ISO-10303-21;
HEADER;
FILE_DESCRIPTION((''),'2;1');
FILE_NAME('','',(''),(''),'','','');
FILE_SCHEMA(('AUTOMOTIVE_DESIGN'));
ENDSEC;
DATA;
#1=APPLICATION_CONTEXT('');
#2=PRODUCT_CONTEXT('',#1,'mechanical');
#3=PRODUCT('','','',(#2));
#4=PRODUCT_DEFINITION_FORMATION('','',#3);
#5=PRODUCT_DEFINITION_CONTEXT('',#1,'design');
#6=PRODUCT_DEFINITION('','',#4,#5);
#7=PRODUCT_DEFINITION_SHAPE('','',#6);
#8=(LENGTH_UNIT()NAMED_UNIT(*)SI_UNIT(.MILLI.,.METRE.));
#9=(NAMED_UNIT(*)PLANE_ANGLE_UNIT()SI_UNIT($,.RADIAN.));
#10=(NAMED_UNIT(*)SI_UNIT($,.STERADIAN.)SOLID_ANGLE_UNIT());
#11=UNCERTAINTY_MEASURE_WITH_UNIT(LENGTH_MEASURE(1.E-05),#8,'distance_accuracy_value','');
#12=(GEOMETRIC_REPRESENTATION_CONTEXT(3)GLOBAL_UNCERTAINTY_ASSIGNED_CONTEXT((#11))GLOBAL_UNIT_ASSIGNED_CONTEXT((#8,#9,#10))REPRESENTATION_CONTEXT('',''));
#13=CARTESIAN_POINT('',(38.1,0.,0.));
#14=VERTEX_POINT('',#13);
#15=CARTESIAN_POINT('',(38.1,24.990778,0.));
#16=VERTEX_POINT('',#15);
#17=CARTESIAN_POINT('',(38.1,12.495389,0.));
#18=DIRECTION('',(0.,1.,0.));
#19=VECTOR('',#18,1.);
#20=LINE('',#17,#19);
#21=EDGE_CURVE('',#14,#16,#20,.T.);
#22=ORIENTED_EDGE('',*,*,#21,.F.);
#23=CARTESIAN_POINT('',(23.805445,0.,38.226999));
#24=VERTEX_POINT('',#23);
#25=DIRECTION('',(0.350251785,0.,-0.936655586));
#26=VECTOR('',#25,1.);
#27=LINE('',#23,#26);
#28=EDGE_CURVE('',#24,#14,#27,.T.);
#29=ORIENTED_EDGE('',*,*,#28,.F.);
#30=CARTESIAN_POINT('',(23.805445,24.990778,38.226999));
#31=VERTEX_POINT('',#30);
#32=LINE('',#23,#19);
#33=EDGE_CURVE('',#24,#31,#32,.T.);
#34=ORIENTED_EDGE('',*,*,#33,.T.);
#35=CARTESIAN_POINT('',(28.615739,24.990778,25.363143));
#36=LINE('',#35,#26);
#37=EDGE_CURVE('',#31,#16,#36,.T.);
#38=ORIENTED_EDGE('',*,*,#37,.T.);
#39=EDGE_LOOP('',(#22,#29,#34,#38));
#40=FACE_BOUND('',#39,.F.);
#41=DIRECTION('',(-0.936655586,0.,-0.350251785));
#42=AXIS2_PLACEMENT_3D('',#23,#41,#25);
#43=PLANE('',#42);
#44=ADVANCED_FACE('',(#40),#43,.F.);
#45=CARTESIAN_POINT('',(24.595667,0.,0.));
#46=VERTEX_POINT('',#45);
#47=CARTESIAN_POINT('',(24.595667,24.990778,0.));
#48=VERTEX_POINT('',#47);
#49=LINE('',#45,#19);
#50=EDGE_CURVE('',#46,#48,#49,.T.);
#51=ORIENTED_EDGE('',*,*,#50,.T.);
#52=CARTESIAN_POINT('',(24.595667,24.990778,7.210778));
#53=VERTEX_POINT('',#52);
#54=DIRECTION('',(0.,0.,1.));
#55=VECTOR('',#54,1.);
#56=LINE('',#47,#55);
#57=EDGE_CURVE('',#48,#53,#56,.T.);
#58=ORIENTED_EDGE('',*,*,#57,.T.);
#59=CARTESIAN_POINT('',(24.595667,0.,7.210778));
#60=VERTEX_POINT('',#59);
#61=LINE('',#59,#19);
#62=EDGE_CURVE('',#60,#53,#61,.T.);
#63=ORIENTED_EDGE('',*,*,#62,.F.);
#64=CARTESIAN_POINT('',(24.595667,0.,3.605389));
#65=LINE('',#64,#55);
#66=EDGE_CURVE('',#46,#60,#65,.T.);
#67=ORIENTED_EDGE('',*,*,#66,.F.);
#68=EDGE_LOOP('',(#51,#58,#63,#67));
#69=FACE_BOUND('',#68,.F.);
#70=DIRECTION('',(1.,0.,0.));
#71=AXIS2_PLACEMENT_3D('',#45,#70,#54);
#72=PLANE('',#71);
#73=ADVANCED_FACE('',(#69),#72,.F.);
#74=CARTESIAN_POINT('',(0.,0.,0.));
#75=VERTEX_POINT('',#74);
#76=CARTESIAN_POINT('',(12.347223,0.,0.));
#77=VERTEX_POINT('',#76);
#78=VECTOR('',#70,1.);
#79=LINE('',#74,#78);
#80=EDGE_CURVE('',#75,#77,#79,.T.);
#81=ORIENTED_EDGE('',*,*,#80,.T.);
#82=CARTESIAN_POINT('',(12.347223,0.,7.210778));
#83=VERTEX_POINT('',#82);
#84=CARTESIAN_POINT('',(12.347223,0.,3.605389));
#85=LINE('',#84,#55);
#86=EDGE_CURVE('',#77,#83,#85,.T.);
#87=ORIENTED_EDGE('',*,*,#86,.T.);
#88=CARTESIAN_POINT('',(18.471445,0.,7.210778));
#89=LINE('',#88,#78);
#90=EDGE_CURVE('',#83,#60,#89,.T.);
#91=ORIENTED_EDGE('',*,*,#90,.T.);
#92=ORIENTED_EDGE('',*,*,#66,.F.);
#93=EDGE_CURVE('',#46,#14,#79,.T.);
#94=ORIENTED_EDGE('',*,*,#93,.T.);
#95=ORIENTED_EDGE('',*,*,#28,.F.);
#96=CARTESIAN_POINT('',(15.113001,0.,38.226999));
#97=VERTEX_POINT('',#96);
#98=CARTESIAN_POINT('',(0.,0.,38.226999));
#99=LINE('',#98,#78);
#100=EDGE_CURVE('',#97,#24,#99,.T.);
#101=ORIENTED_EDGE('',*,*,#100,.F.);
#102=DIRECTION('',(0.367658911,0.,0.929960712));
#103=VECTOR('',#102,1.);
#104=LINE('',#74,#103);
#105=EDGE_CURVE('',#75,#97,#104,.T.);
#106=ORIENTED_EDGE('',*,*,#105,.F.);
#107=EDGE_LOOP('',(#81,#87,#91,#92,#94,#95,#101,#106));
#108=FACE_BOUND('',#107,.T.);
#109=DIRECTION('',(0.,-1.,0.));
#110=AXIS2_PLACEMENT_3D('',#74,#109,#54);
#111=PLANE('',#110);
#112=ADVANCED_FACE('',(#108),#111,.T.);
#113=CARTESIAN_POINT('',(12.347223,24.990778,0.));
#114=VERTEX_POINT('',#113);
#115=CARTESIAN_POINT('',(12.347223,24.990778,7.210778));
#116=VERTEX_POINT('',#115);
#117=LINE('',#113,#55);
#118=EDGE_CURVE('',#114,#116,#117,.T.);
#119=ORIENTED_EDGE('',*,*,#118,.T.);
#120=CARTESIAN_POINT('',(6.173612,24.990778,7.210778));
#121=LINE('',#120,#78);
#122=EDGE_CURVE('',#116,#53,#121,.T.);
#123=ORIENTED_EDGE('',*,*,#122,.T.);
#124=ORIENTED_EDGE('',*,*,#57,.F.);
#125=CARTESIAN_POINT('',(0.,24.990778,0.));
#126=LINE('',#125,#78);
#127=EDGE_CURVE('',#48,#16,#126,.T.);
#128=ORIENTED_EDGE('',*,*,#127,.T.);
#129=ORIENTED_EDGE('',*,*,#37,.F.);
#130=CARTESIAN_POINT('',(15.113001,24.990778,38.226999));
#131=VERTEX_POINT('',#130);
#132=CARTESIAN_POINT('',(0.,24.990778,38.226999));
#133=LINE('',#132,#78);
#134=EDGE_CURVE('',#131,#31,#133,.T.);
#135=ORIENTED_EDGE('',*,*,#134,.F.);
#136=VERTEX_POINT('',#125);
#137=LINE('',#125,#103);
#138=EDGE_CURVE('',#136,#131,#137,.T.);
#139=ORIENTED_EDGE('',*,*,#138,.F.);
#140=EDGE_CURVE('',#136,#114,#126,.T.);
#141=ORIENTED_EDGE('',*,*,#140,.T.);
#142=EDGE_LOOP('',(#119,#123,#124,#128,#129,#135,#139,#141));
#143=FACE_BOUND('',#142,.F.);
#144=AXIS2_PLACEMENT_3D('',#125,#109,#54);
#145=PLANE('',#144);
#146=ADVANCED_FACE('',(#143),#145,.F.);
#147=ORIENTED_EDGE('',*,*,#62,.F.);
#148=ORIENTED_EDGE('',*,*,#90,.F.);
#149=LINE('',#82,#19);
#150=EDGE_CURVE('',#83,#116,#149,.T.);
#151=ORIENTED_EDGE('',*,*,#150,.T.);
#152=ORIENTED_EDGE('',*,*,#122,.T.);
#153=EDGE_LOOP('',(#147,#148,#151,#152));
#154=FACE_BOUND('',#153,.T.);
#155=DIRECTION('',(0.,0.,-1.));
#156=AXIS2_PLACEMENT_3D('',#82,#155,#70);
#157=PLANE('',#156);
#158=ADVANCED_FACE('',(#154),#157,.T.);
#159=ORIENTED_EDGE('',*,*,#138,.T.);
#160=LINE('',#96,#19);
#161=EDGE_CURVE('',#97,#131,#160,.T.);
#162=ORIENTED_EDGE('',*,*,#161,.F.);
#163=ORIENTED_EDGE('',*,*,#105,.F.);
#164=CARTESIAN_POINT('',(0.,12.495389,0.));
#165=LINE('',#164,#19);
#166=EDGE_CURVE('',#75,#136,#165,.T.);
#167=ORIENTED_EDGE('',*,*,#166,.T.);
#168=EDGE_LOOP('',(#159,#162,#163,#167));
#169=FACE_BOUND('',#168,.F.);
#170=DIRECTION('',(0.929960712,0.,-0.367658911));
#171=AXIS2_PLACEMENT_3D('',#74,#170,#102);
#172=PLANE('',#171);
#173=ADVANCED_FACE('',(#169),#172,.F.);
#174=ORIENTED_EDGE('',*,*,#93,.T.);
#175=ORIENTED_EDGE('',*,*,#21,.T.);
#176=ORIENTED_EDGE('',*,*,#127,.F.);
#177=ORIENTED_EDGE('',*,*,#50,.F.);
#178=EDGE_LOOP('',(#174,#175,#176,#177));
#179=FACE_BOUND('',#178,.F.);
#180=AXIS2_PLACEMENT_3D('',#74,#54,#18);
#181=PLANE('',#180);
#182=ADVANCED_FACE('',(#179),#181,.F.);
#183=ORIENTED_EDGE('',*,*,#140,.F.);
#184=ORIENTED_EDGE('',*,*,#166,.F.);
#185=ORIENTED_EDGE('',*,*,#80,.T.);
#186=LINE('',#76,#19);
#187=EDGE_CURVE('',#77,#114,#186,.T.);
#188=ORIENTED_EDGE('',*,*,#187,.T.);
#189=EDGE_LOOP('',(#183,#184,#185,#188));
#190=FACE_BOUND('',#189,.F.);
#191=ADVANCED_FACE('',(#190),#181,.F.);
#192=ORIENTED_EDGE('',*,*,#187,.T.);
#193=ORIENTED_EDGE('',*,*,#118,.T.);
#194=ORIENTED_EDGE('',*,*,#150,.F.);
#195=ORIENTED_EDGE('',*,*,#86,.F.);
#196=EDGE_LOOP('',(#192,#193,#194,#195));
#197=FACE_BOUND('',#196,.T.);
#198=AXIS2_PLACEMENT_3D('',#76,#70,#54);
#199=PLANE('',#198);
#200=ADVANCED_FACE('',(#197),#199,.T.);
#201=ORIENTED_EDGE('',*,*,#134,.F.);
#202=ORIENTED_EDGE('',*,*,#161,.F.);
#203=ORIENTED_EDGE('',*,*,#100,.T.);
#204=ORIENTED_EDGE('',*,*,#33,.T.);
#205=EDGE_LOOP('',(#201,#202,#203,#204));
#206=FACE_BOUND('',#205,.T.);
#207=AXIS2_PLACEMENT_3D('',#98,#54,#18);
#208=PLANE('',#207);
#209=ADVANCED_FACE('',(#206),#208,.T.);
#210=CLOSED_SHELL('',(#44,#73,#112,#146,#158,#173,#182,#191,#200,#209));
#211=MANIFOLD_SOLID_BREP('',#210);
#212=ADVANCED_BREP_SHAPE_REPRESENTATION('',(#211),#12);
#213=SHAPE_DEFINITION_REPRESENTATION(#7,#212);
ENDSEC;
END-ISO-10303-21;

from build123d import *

# Parameters (mm, degrees)
F0_W     = 24.9907784164
F0_H     = 38.2269993424
F1_DEPTH = 38.1
F2_W     = 12.2484434396
F2_H     = 7.2107780725
F3_DEPTH = 24.9917784164
F5_DEPTH = 24.9917784164


with BuildPart() as f1:
    # F0 (on Right) → F1 (new body)
    with BuildSketch(Plane.YZ):
        with Locations((12.4953892082, 19.1134996712)):
            Rectangle(F0_W, F0_H)
    extrude(amount=F1_DEPTH)

    # F2 (on face) → F3 (cut, through all)
    with BuildSketch(Plane.XZ):
        with Locations((18.471444957, 3.6053890362)):
            Rectangle(F2_W, F2_H)
    extrude(amount=-F3_DEPTH, mode=Mode.SUBTRACT)

    # F4 (on face) → F5 (cut, through all)
    with BuildSketch(Plane.XZ):
        Polygon((0, 0), (15.113000758, 38.2269993424), (0, 38.2269993424), align=None)
        Polygon((38.1, 38.2269993424), (23.8054450601, 38.2269993424), (38.1, 0), align=None)
    extrude(amount=-F5_DEPTH, mode=Mode.SUBTRACT)


solid = f1.part
